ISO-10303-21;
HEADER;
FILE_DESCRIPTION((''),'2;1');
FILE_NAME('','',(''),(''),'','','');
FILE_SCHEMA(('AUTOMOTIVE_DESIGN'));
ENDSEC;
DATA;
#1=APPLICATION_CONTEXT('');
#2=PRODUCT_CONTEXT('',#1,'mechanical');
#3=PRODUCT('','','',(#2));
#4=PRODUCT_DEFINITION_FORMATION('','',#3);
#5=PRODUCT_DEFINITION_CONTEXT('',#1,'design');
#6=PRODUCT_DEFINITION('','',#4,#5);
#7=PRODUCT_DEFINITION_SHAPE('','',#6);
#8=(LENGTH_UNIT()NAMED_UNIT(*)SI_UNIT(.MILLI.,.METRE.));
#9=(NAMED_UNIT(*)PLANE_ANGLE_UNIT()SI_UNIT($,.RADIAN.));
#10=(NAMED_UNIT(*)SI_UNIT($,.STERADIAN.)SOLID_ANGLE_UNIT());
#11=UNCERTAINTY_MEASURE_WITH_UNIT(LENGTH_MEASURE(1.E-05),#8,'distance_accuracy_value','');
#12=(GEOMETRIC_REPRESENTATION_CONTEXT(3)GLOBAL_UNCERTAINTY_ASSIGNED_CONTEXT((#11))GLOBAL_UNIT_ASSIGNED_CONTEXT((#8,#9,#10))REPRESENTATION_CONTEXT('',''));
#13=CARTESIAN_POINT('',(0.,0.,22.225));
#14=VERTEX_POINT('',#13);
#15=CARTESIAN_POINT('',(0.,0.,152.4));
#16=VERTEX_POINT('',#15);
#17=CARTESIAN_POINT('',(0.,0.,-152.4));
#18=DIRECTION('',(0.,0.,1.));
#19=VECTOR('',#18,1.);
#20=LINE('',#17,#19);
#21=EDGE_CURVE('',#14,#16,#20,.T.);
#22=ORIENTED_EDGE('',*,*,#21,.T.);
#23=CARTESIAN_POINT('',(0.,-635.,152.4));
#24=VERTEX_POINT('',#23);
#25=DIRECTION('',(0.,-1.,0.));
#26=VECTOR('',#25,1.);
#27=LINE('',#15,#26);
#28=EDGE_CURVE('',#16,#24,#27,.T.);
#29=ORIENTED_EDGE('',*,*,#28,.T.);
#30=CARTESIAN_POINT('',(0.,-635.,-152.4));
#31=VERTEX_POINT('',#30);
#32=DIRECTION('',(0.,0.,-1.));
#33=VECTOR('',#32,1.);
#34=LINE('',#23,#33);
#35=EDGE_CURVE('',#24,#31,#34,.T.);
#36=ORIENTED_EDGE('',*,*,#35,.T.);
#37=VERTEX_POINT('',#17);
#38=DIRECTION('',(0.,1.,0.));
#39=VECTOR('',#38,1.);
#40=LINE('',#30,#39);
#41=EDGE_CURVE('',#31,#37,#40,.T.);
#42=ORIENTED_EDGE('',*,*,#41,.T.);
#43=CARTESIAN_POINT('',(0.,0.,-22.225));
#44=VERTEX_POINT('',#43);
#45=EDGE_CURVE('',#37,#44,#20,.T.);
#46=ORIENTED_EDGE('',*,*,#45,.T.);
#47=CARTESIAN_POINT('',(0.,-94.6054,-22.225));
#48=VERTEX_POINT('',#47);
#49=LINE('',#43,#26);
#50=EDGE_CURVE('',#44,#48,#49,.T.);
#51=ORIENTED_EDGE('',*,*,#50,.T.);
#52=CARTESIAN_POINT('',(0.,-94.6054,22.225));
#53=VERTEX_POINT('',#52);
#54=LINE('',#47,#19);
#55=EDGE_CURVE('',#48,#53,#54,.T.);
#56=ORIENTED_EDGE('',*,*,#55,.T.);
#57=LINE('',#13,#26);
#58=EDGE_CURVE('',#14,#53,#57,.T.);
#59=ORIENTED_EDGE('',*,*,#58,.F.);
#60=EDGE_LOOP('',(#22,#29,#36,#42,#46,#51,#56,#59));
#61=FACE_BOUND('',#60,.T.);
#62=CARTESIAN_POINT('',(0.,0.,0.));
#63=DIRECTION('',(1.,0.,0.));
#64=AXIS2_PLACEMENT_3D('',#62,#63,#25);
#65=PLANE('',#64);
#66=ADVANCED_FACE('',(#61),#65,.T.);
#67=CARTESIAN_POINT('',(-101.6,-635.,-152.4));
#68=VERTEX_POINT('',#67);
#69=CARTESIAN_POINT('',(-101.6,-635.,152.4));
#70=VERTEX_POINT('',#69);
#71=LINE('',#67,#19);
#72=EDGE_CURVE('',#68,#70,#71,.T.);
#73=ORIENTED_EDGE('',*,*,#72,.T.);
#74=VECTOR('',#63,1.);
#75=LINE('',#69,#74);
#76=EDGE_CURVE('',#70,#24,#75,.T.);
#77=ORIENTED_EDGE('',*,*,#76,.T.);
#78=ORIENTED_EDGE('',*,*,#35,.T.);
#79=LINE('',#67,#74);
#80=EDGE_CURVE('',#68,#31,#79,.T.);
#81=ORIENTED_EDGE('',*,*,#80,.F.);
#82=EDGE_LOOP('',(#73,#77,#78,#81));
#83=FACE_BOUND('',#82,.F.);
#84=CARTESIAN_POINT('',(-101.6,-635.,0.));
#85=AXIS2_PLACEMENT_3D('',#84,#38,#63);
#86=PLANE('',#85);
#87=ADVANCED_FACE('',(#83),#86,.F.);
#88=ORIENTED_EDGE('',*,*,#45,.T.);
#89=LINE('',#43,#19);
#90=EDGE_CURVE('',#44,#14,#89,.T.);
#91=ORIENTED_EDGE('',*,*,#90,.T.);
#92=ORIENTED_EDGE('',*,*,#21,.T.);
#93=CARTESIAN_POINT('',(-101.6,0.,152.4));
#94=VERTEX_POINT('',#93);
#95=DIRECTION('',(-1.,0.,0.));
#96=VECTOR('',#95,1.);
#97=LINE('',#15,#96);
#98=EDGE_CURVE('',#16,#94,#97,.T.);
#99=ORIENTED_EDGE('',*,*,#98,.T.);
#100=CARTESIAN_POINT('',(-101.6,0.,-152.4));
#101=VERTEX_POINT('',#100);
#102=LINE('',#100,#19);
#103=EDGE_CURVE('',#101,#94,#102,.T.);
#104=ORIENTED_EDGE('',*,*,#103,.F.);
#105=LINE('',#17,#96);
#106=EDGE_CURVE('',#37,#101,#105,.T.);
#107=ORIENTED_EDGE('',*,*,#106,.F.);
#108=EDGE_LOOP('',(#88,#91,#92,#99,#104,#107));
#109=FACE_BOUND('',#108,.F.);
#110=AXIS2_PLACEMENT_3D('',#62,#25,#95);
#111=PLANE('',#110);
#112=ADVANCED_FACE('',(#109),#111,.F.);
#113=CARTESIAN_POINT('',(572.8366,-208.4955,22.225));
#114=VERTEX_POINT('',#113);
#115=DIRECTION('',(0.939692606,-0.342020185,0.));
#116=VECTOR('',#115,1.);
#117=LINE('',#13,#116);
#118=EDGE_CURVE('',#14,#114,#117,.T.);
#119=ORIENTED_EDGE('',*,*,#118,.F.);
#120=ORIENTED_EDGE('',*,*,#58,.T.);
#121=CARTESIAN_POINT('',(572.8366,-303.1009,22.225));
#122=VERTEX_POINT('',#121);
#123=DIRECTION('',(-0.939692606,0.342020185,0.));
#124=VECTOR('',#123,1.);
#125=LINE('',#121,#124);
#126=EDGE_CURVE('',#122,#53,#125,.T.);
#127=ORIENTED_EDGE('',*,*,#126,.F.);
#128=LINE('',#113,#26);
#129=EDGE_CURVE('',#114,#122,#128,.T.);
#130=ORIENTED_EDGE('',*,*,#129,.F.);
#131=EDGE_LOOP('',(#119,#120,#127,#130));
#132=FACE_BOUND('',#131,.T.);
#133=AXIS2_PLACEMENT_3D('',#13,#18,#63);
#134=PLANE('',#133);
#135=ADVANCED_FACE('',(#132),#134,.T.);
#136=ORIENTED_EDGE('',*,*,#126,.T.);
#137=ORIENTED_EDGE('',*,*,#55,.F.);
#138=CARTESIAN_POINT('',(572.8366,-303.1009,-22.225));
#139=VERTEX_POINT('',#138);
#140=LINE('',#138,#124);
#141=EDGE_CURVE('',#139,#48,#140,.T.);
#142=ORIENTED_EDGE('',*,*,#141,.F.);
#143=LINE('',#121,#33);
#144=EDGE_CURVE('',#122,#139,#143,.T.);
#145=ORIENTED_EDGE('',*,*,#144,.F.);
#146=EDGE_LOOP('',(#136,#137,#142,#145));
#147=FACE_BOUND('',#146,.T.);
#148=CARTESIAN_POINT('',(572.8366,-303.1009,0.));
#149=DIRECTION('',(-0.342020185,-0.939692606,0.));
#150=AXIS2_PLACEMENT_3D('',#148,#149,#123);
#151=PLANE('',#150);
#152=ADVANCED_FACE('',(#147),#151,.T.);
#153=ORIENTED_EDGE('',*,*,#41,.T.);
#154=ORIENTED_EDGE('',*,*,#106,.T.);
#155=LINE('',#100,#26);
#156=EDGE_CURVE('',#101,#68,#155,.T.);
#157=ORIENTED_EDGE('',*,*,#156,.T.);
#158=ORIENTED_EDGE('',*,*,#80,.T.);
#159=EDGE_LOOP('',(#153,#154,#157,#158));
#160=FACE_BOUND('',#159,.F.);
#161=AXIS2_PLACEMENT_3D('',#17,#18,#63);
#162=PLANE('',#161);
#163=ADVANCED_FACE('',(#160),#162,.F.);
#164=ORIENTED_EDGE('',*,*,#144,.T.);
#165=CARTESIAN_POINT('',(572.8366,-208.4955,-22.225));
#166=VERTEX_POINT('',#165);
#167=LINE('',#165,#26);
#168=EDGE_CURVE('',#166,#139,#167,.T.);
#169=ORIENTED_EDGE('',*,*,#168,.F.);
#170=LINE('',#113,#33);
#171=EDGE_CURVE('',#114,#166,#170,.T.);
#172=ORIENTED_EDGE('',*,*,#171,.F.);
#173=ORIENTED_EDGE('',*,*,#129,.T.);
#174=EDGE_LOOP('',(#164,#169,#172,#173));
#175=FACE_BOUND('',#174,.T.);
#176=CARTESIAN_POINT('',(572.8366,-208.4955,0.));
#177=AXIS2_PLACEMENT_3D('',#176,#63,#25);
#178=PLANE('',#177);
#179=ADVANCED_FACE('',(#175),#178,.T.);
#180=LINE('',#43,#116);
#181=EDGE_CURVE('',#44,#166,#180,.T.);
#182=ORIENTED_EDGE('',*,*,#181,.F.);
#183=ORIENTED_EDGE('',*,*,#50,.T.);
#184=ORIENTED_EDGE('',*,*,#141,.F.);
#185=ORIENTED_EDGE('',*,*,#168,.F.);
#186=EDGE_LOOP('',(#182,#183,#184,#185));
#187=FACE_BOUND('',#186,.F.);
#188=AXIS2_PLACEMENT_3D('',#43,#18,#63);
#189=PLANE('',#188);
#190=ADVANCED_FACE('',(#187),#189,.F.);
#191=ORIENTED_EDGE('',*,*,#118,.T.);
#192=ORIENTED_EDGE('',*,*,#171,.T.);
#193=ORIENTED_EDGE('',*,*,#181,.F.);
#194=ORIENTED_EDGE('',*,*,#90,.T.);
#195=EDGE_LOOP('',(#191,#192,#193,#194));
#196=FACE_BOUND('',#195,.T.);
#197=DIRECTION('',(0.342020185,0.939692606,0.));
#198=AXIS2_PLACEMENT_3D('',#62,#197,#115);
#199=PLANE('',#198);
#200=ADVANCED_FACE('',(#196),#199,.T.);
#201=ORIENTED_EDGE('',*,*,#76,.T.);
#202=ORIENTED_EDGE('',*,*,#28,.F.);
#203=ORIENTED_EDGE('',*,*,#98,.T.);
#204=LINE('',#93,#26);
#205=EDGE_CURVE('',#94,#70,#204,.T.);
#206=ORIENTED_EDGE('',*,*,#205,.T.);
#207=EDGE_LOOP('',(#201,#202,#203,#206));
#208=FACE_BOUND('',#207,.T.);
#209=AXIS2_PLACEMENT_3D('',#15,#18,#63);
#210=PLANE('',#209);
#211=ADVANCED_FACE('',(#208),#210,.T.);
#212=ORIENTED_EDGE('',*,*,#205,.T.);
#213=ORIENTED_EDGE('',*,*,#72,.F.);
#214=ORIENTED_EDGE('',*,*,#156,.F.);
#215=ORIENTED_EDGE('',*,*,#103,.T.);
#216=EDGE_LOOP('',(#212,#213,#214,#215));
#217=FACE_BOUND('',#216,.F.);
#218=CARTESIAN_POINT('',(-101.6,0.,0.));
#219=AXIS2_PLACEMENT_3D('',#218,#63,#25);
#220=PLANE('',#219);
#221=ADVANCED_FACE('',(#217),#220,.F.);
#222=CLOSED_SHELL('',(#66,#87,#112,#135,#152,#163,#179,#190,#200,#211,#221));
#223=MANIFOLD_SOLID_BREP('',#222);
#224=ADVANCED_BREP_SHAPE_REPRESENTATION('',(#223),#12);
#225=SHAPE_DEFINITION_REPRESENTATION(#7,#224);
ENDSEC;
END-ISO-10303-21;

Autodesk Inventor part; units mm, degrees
ref_plane "YZ Plane" through (0, 0, 0) normal (1, 0, 0) x (0, 1, 0)
ref_plane "XZ Plane" through (0, 0, 0) normal (0, 1, 0) x (-1, 0, 0)
ref_plane "XY Plane" through (0, 0, 0) normal (0, 0, 1) x (1, 0, 0)
sketch "Sketch1" plane through (0, 0, 0) normal (0, 0, 1) x (1, 0, 0)
  line L0 (0, 0) -> (0, -635)
  line L1 (0, 0) -> (572.8366, -208.4955)
  line L2 (0, 0) -> (609.6, 0) construction
  line L3 (572.8366, -208.4955) -> (572.8366, -303.1009)
  line L4 (572.8366, -303.1009) -> (0, -94.6054)
  line L5 (0, 0) -> (-101.6, 0)
  line L6 (-101.6, 0) -> (-101.6, -635)
  line L7 (-101.6, -635) -> (0, -635)
  dimension "d0" = 635
  dimension "d1" = 609.6
  dimension "d2" = 20
  dimension "d3" = 88.9
  dimension "d4" = 101.6
extrude "Extrusion1" add sketch "Sketch1" along normal mid plane 304.8 contours L0 L7 L6 L5
extrude "Extrusion2" add sketch "Sketch1" along normal mid plane 44.45 contours L1 L3 L4 L0
properties part number "GarageSegment" material "Wood (Walnut)"
